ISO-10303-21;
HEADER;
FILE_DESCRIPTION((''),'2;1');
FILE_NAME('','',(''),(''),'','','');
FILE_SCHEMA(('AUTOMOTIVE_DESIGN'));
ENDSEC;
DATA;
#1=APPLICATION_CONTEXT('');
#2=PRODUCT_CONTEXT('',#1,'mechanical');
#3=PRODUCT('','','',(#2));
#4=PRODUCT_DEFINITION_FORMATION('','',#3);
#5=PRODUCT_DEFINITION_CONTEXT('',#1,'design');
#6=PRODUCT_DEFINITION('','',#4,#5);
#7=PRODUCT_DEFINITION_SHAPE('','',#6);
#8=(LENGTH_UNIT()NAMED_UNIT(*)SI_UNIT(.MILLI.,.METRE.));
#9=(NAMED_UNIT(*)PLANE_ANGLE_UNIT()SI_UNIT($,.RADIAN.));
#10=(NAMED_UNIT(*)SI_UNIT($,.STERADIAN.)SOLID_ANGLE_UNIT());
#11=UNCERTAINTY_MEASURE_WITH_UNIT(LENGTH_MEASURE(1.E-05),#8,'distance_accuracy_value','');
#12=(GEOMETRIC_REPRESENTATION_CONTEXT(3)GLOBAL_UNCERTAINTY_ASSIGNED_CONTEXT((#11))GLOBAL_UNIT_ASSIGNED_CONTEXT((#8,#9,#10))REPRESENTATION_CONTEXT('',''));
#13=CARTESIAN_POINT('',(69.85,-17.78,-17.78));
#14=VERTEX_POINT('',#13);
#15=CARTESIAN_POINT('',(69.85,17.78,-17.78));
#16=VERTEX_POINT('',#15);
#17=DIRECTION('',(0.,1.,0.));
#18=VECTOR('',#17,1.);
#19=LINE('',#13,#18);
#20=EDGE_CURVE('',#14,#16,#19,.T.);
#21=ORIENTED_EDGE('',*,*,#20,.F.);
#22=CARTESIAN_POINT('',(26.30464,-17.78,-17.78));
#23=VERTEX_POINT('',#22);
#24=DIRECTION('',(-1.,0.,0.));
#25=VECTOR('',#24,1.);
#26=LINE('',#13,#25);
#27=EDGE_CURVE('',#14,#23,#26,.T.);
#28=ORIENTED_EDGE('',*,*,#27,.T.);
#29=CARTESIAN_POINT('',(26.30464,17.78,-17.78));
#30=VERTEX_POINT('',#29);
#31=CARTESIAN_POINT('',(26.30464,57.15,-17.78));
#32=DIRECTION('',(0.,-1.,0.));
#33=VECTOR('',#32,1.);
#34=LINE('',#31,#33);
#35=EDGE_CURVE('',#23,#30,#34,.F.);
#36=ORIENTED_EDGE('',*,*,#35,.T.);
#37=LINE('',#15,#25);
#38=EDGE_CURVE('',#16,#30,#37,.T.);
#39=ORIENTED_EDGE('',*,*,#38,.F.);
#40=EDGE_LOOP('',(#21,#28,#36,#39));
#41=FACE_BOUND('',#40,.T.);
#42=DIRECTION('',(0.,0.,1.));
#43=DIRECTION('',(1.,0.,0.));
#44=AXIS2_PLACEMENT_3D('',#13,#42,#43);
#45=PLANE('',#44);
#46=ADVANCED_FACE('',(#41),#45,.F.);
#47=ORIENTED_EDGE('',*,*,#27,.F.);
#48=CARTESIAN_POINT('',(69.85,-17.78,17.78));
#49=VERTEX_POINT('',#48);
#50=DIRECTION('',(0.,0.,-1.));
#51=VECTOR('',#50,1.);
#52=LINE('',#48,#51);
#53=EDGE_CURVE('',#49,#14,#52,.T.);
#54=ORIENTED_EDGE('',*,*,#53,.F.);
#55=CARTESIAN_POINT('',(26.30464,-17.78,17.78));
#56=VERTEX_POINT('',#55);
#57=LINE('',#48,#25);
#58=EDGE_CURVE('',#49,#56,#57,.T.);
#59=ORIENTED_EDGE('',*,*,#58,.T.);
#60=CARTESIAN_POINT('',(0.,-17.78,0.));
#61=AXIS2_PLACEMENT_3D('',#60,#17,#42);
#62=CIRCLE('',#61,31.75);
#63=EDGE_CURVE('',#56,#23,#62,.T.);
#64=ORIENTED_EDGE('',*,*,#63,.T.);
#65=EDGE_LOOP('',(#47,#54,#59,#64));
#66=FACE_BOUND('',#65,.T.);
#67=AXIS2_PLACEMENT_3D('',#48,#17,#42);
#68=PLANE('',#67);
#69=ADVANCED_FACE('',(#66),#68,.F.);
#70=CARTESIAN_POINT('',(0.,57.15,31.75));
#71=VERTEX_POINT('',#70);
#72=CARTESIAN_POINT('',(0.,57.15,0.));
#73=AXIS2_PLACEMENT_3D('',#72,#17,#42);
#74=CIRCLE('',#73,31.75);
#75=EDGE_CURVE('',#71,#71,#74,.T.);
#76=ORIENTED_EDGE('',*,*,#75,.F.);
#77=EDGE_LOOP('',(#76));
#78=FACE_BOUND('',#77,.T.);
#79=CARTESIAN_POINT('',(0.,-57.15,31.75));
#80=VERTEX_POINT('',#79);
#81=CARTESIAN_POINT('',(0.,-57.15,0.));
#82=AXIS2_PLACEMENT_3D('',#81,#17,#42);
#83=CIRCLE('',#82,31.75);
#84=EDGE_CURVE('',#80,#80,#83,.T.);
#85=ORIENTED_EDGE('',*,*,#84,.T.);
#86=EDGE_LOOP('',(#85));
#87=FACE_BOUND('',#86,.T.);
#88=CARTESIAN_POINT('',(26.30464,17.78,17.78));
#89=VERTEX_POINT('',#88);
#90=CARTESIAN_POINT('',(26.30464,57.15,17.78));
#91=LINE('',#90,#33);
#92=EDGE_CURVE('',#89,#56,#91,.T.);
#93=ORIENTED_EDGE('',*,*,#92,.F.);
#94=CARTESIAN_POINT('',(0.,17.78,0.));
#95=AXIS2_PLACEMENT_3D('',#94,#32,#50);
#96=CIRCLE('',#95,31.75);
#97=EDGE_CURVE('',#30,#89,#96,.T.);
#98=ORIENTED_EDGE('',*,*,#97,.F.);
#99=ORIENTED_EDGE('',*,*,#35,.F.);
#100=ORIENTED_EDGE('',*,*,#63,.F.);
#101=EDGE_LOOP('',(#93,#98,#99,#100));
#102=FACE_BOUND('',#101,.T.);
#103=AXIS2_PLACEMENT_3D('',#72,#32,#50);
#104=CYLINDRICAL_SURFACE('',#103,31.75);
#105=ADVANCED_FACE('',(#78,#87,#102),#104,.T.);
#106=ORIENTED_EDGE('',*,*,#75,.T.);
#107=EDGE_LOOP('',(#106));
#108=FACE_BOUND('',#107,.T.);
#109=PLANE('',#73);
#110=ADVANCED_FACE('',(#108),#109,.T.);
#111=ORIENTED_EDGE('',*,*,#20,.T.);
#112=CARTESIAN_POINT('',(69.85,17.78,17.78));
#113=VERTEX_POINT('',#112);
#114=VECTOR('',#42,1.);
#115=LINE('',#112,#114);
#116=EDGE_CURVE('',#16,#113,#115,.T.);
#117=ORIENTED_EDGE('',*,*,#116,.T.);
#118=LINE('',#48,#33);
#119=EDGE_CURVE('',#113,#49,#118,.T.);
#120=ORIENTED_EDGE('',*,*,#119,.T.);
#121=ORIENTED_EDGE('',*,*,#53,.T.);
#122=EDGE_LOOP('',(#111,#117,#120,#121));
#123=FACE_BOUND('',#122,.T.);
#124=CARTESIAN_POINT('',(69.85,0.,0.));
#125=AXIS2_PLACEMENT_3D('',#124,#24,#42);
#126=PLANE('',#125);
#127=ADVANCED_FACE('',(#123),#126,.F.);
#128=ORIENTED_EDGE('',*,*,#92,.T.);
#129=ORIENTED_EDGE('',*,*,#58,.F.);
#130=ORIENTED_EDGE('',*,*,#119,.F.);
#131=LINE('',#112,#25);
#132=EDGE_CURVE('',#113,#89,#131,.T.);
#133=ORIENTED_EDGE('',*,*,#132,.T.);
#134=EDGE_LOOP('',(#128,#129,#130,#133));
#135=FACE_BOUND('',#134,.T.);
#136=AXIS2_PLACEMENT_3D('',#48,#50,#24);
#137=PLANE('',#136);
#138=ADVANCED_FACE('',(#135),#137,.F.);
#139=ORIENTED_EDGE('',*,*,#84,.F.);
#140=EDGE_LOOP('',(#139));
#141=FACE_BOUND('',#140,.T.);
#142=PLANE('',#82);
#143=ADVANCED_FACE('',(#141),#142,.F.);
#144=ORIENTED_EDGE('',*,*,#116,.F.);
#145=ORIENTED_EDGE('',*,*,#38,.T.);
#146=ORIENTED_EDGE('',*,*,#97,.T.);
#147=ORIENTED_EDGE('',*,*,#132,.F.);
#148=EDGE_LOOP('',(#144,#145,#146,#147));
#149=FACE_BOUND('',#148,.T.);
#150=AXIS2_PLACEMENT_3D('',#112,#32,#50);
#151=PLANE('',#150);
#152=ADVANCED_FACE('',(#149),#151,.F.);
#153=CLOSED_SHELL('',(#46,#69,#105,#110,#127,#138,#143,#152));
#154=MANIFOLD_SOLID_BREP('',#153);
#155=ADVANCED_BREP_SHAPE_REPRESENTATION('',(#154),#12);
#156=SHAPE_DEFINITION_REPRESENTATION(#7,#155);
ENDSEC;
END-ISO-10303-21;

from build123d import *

# Parameters (mm, degrees)
SKETCH1_R           = 31.75
BOSS_EXTRUDE1_DEPTH = 57.15
SKETCH2_W           = 35.56
SKETCH2_H           = 35.56
BOSS_EXTRUDE2_DEPTH = 69.85


with BuildPart() as part:
    # Sketch1 → Boss-Extrude1 (new, symmetric)
    with BuildSketch(Plane(origin=(0, 0, 0), x_dir=(1, 0, 0), z_dir=(0, 1, 0))):
        with Locations(Location((0, 0, 0), (0, 0, 270))):
            Circle(SKETCH1_R)
    extrude(amount=BOSS_EXTRUDE1_DEPTH, both=True)

    # Sketch2 → Boss-Extrude2 (add)
    with BuildSketch(Plane(origin=(0, 0, 0), x_dir=(0, 0, -1), z_dir=(1, 0, 0))):
        Rectangle(SKETCH2_W, SKETCH2_H)
    extrude(amount=BOSS_EXTRUDE2_DEPTH)


solid = part.part
